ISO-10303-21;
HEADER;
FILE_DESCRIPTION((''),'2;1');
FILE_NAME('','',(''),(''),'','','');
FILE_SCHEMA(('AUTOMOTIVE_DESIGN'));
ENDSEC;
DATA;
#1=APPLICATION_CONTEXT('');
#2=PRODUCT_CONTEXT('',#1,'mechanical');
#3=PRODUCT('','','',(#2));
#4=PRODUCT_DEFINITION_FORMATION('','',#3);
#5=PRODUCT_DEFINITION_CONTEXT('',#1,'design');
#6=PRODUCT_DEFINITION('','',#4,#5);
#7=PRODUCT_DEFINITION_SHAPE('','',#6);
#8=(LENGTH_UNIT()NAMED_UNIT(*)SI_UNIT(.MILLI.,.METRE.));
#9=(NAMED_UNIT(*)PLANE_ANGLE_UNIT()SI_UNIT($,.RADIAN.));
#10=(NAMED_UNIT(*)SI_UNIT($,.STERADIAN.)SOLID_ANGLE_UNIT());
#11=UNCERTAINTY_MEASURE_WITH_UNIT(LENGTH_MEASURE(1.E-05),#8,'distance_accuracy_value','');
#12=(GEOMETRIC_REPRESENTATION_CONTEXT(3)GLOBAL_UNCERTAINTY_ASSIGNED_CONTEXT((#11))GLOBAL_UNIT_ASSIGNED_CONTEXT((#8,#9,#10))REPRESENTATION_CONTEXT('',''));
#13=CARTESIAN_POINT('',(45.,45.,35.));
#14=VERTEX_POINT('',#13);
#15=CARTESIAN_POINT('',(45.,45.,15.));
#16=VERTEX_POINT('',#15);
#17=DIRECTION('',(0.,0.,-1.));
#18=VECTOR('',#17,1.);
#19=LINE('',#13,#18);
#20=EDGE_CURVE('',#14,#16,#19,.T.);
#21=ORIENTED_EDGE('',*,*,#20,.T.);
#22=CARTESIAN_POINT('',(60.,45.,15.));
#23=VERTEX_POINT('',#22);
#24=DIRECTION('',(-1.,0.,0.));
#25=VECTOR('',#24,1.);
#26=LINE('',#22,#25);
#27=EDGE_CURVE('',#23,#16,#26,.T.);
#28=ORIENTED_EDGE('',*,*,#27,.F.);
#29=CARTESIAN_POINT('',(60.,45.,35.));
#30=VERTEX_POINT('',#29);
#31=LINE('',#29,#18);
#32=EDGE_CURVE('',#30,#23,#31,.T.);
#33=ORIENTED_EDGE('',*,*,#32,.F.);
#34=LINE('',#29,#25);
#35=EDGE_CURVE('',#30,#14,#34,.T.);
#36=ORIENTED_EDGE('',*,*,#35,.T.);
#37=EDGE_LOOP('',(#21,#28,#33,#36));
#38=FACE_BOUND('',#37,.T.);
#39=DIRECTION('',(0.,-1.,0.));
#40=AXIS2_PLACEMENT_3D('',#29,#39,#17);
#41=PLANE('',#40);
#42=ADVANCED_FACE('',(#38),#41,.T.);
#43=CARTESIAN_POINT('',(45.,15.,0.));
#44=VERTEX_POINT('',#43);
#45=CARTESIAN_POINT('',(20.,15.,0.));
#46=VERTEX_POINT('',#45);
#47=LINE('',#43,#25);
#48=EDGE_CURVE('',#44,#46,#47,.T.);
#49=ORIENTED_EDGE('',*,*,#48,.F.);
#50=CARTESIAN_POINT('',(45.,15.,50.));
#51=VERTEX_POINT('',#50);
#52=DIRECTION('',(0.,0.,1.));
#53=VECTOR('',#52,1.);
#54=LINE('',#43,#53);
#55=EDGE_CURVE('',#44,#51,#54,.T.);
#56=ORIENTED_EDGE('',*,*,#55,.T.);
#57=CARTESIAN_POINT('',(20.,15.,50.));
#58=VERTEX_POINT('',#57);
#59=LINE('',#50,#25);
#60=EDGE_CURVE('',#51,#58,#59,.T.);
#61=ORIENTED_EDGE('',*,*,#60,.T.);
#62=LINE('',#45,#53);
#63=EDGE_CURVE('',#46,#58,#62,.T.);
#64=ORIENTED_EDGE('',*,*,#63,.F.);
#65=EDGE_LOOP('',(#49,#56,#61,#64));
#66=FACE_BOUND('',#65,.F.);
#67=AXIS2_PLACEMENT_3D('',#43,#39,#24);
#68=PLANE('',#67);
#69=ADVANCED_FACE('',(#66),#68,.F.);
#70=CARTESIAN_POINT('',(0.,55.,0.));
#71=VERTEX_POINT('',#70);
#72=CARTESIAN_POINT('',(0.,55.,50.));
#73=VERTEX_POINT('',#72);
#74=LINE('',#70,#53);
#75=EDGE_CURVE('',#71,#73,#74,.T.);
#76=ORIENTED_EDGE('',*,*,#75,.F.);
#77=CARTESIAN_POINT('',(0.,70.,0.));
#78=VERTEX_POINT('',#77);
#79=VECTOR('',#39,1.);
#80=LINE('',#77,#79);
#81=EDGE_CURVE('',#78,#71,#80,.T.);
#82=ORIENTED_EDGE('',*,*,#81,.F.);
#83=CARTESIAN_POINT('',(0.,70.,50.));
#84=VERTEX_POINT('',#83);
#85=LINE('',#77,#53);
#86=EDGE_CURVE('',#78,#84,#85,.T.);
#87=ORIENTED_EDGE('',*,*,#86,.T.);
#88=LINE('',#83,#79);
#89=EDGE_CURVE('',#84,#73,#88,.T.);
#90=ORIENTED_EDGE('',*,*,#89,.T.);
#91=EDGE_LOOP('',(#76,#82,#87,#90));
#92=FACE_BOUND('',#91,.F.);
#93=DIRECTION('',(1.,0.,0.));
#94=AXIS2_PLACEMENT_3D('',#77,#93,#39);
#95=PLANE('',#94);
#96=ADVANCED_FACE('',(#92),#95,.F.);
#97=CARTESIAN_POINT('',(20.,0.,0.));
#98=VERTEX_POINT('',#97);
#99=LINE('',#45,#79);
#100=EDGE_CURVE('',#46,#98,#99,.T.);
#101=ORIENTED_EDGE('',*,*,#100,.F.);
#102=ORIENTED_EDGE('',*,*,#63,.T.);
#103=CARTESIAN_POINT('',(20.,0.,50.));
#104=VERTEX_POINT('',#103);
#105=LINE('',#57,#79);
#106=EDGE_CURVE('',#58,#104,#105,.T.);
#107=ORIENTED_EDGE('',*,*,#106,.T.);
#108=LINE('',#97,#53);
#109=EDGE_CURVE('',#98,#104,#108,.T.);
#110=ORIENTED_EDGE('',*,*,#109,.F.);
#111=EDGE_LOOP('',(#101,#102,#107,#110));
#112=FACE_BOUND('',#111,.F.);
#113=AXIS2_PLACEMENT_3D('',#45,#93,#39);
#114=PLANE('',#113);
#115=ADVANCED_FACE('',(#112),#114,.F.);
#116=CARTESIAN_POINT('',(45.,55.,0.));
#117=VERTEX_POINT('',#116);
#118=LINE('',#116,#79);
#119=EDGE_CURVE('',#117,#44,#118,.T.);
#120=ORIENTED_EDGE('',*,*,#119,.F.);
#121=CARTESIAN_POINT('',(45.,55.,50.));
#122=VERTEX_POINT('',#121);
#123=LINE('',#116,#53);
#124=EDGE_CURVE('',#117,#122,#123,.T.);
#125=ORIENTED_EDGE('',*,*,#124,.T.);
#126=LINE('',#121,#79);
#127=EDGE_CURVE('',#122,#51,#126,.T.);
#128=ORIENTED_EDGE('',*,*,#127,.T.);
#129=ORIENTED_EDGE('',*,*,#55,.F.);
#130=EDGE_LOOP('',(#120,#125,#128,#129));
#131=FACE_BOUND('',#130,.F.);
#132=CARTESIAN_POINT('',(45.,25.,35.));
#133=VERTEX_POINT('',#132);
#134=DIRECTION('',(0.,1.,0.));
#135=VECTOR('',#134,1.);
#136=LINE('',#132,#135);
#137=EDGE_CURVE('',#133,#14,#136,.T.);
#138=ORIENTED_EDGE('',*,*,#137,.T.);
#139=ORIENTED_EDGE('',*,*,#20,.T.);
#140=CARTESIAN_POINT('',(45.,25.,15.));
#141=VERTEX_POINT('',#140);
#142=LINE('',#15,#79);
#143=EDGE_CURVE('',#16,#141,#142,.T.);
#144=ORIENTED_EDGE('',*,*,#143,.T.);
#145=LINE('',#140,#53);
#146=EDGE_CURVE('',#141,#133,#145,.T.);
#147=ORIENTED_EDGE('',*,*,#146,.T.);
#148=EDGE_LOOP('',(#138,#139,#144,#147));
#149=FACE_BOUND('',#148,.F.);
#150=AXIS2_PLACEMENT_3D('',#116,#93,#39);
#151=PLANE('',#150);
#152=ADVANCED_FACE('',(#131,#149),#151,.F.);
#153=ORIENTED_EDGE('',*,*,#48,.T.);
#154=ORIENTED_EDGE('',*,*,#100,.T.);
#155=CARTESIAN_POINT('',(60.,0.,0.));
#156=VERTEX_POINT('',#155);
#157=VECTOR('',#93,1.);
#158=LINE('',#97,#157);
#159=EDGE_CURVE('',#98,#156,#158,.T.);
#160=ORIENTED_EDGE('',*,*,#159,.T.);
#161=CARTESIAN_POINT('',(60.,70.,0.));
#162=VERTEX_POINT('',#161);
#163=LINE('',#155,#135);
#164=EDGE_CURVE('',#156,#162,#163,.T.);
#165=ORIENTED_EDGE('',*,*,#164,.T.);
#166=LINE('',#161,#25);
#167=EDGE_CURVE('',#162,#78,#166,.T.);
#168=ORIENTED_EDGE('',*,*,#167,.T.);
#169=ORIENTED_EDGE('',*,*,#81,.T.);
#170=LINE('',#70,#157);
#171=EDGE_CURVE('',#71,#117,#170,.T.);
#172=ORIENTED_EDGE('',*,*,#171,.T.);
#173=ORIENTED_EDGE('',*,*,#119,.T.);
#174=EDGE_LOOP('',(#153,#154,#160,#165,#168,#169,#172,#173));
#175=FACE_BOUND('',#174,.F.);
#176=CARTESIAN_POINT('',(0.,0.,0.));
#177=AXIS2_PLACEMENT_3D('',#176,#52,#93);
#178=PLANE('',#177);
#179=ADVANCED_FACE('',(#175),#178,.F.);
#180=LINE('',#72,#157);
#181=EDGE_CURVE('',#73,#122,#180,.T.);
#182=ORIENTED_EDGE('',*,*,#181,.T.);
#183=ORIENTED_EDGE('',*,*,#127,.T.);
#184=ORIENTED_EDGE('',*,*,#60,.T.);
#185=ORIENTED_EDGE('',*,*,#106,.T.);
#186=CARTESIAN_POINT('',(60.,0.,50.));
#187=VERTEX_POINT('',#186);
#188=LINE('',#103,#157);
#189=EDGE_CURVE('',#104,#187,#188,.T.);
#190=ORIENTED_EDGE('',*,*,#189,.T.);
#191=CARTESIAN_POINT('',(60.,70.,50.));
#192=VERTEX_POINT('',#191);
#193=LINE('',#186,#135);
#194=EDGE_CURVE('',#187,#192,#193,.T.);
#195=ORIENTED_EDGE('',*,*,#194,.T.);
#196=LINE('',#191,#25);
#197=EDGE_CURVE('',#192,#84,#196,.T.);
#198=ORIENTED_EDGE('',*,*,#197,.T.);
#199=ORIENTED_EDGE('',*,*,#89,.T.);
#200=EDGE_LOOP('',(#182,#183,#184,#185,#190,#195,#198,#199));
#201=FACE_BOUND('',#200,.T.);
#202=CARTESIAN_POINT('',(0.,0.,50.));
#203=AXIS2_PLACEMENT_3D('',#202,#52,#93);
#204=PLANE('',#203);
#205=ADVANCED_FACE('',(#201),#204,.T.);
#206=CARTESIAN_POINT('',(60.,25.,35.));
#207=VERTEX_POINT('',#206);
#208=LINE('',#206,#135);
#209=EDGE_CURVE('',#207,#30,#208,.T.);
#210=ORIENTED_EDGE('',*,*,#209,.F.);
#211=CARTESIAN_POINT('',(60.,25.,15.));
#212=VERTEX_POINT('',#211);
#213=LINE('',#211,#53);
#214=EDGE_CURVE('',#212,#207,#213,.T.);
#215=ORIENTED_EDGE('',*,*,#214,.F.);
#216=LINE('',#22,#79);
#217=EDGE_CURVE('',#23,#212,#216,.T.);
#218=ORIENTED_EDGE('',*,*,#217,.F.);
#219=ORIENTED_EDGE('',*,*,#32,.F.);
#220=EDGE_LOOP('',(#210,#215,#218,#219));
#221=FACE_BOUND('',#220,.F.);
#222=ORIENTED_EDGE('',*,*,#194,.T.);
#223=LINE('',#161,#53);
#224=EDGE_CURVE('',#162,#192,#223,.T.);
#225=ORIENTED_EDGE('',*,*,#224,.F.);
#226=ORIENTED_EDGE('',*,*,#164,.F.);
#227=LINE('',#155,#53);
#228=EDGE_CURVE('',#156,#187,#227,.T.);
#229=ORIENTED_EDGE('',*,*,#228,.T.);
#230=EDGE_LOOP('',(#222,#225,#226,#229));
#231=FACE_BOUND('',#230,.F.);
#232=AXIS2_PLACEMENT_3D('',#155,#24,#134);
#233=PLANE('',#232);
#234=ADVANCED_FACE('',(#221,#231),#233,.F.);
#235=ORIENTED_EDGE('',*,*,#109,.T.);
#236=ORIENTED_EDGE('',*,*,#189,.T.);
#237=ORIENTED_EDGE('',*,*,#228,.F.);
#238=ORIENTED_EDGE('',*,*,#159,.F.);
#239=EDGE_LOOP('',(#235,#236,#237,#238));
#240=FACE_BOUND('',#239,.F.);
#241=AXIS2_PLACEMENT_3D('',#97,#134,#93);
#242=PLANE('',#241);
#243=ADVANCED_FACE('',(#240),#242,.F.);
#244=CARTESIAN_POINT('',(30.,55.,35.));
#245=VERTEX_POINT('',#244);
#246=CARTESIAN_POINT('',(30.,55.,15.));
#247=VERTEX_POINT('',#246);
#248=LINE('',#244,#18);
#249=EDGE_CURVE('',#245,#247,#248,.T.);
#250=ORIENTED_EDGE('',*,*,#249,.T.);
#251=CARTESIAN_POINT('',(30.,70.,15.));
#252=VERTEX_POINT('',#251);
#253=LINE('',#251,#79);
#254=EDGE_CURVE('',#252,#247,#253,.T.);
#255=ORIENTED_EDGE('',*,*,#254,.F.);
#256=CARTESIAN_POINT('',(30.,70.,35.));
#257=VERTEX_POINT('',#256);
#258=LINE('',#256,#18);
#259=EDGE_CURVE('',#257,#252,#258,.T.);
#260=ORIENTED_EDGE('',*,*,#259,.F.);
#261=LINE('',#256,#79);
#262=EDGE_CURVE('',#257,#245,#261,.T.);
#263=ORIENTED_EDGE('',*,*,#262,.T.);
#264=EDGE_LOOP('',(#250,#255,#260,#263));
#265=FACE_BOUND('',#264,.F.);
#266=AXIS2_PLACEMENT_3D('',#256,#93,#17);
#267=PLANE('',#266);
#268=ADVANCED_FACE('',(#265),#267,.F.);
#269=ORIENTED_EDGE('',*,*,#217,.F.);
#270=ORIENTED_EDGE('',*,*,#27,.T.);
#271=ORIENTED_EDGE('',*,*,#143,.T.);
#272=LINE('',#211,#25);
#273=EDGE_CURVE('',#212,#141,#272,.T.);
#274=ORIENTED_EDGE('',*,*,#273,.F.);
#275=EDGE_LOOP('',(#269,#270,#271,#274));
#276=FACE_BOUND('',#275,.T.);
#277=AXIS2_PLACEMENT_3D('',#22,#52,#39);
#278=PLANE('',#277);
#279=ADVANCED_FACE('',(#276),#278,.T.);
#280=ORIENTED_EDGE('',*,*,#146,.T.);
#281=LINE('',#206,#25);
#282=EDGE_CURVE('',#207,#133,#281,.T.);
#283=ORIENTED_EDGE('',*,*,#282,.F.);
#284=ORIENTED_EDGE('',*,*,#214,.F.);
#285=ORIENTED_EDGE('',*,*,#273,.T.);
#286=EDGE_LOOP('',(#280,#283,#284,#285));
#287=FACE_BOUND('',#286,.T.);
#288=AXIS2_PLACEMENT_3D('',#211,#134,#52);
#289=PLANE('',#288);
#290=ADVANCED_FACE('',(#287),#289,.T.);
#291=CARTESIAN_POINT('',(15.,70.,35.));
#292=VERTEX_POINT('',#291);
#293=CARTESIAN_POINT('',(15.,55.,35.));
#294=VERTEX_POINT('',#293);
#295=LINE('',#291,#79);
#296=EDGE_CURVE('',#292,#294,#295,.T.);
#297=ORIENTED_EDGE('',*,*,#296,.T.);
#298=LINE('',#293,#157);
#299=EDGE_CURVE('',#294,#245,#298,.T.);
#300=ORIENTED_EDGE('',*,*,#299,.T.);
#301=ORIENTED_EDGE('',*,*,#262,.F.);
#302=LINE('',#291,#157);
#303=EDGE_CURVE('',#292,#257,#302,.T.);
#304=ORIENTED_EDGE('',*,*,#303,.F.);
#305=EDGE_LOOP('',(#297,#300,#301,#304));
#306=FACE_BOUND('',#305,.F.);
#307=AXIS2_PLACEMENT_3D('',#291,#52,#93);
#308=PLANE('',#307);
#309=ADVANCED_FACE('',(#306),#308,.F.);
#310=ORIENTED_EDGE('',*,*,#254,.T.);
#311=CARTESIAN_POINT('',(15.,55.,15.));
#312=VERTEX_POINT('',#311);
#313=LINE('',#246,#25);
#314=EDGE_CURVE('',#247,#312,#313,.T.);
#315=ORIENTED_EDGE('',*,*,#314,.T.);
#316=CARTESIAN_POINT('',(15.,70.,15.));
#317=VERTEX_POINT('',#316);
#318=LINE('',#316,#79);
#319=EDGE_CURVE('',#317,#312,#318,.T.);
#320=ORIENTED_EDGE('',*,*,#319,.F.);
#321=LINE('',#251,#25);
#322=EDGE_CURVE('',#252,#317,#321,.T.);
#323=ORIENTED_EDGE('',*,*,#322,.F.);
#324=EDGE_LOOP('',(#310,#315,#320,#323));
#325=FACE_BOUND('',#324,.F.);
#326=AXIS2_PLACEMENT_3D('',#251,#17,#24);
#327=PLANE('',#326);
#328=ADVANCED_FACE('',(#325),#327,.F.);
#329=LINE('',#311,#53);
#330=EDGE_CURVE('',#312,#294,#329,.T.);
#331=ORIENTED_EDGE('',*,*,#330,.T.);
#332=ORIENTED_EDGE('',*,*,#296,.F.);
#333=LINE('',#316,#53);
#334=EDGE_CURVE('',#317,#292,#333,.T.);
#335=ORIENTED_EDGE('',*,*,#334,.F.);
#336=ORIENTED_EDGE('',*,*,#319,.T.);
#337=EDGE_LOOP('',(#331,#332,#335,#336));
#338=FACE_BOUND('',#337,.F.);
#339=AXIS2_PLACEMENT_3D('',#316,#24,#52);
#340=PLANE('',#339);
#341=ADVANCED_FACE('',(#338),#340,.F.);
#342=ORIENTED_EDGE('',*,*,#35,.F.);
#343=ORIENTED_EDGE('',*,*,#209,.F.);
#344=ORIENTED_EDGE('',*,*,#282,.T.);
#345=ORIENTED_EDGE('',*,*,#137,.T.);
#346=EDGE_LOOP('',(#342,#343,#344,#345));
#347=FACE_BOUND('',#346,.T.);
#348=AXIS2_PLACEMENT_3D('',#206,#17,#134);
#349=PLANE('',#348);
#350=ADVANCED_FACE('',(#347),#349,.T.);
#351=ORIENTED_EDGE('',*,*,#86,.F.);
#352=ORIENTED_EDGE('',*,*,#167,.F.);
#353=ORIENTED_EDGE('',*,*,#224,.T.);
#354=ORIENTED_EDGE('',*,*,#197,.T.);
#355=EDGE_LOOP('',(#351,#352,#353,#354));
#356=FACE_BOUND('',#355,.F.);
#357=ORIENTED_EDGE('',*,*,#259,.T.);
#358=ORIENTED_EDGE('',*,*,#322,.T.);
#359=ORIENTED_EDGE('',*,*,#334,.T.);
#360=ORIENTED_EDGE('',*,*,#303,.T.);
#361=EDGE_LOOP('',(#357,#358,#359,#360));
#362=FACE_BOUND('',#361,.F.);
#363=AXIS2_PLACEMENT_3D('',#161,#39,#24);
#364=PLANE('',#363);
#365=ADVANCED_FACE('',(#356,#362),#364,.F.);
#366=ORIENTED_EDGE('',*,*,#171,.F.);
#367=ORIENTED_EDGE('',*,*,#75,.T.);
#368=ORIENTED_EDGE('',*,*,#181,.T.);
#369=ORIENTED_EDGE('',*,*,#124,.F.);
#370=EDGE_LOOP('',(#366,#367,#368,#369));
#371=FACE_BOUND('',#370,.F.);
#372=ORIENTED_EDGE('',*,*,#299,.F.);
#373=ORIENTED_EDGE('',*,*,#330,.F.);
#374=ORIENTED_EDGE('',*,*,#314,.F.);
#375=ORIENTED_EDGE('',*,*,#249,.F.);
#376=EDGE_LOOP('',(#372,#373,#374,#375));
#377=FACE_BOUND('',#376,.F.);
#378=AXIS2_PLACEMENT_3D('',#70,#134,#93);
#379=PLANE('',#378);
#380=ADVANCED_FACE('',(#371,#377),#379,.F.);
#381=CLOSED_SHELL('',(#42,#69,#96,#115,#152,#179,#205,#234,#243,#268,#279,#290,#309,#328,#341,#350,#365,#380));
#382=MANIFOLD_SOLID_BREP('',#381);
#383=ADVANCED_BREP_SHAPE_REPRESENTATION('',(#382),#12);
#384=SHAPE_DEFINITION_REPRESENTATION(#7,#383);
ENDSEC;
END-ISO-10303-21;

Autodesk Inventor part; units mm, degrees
ref_plane "YZ Plane" through (0, 0, 0) normal (1, 0, 0) x (0, 1, 0)
ref_plane "XZ Plane" through (0, 0, 0) normal (0, 1, 0) x (-1, 0, 0)
ref_plane "XY Plane" through (0, 0, 0) normal (0, 0, 1) x (1, 0, 0)
sketch "Sketch1" plane through (0, 0, 0) normal (0, 0, 1) x (1, 0, 0)
  line L0 (20, 0) -> (60, 0)
  line L1 (60, 0) -> (60, 70)
  line L2 (60, 70) -> (0, 70)
  line L3 (0, 70) -> (0, 55)
  line L4 (0, 55) -> (45, 55)
  line L5 (45, 55) -> (45, 15)
  line L6 (45, 15) -> (20, 15)
  line L7 (20, 15) -> (20, 0)
  point P0 (0, 0)
  dimension "d0" = 40
  dimension "d1" = 70
extrude "Extrusion1" add sketch "Sketch1" along normal blind 50
sketch "Sketch2" plane through (0, 70, 0) normal (0, 1, 0) x (1, 0, 0)
  line L0 (15, -15) -> (15, -35)
  line L1 (15, -35) -> (30, -35)
  line L2 (30, -35) -> (30, -15)
  line L3 (30, -15) -> (15, -15)
  point P0 (0, 0)
extrude "Extrusion2" cut sketch "Sketch2" against normal blind 15
sketch "Sketch3" plane through (60, 0, 0) normal (1, 0, 0) x (0, 0, -1)
  line L0 (-15, 25) -> (-35, 25)
  line L1 (-35, 25) -> (-35, 45)
  line L2 (-35, 45) -> (-15, 45)
  line L3 (-15, 45) -> (-15, 25)
  point P0 (0, 0)
extrude "Extrusion3" cut sketch "Sketch3" against normal blind 15
properties part number "P3-4"
